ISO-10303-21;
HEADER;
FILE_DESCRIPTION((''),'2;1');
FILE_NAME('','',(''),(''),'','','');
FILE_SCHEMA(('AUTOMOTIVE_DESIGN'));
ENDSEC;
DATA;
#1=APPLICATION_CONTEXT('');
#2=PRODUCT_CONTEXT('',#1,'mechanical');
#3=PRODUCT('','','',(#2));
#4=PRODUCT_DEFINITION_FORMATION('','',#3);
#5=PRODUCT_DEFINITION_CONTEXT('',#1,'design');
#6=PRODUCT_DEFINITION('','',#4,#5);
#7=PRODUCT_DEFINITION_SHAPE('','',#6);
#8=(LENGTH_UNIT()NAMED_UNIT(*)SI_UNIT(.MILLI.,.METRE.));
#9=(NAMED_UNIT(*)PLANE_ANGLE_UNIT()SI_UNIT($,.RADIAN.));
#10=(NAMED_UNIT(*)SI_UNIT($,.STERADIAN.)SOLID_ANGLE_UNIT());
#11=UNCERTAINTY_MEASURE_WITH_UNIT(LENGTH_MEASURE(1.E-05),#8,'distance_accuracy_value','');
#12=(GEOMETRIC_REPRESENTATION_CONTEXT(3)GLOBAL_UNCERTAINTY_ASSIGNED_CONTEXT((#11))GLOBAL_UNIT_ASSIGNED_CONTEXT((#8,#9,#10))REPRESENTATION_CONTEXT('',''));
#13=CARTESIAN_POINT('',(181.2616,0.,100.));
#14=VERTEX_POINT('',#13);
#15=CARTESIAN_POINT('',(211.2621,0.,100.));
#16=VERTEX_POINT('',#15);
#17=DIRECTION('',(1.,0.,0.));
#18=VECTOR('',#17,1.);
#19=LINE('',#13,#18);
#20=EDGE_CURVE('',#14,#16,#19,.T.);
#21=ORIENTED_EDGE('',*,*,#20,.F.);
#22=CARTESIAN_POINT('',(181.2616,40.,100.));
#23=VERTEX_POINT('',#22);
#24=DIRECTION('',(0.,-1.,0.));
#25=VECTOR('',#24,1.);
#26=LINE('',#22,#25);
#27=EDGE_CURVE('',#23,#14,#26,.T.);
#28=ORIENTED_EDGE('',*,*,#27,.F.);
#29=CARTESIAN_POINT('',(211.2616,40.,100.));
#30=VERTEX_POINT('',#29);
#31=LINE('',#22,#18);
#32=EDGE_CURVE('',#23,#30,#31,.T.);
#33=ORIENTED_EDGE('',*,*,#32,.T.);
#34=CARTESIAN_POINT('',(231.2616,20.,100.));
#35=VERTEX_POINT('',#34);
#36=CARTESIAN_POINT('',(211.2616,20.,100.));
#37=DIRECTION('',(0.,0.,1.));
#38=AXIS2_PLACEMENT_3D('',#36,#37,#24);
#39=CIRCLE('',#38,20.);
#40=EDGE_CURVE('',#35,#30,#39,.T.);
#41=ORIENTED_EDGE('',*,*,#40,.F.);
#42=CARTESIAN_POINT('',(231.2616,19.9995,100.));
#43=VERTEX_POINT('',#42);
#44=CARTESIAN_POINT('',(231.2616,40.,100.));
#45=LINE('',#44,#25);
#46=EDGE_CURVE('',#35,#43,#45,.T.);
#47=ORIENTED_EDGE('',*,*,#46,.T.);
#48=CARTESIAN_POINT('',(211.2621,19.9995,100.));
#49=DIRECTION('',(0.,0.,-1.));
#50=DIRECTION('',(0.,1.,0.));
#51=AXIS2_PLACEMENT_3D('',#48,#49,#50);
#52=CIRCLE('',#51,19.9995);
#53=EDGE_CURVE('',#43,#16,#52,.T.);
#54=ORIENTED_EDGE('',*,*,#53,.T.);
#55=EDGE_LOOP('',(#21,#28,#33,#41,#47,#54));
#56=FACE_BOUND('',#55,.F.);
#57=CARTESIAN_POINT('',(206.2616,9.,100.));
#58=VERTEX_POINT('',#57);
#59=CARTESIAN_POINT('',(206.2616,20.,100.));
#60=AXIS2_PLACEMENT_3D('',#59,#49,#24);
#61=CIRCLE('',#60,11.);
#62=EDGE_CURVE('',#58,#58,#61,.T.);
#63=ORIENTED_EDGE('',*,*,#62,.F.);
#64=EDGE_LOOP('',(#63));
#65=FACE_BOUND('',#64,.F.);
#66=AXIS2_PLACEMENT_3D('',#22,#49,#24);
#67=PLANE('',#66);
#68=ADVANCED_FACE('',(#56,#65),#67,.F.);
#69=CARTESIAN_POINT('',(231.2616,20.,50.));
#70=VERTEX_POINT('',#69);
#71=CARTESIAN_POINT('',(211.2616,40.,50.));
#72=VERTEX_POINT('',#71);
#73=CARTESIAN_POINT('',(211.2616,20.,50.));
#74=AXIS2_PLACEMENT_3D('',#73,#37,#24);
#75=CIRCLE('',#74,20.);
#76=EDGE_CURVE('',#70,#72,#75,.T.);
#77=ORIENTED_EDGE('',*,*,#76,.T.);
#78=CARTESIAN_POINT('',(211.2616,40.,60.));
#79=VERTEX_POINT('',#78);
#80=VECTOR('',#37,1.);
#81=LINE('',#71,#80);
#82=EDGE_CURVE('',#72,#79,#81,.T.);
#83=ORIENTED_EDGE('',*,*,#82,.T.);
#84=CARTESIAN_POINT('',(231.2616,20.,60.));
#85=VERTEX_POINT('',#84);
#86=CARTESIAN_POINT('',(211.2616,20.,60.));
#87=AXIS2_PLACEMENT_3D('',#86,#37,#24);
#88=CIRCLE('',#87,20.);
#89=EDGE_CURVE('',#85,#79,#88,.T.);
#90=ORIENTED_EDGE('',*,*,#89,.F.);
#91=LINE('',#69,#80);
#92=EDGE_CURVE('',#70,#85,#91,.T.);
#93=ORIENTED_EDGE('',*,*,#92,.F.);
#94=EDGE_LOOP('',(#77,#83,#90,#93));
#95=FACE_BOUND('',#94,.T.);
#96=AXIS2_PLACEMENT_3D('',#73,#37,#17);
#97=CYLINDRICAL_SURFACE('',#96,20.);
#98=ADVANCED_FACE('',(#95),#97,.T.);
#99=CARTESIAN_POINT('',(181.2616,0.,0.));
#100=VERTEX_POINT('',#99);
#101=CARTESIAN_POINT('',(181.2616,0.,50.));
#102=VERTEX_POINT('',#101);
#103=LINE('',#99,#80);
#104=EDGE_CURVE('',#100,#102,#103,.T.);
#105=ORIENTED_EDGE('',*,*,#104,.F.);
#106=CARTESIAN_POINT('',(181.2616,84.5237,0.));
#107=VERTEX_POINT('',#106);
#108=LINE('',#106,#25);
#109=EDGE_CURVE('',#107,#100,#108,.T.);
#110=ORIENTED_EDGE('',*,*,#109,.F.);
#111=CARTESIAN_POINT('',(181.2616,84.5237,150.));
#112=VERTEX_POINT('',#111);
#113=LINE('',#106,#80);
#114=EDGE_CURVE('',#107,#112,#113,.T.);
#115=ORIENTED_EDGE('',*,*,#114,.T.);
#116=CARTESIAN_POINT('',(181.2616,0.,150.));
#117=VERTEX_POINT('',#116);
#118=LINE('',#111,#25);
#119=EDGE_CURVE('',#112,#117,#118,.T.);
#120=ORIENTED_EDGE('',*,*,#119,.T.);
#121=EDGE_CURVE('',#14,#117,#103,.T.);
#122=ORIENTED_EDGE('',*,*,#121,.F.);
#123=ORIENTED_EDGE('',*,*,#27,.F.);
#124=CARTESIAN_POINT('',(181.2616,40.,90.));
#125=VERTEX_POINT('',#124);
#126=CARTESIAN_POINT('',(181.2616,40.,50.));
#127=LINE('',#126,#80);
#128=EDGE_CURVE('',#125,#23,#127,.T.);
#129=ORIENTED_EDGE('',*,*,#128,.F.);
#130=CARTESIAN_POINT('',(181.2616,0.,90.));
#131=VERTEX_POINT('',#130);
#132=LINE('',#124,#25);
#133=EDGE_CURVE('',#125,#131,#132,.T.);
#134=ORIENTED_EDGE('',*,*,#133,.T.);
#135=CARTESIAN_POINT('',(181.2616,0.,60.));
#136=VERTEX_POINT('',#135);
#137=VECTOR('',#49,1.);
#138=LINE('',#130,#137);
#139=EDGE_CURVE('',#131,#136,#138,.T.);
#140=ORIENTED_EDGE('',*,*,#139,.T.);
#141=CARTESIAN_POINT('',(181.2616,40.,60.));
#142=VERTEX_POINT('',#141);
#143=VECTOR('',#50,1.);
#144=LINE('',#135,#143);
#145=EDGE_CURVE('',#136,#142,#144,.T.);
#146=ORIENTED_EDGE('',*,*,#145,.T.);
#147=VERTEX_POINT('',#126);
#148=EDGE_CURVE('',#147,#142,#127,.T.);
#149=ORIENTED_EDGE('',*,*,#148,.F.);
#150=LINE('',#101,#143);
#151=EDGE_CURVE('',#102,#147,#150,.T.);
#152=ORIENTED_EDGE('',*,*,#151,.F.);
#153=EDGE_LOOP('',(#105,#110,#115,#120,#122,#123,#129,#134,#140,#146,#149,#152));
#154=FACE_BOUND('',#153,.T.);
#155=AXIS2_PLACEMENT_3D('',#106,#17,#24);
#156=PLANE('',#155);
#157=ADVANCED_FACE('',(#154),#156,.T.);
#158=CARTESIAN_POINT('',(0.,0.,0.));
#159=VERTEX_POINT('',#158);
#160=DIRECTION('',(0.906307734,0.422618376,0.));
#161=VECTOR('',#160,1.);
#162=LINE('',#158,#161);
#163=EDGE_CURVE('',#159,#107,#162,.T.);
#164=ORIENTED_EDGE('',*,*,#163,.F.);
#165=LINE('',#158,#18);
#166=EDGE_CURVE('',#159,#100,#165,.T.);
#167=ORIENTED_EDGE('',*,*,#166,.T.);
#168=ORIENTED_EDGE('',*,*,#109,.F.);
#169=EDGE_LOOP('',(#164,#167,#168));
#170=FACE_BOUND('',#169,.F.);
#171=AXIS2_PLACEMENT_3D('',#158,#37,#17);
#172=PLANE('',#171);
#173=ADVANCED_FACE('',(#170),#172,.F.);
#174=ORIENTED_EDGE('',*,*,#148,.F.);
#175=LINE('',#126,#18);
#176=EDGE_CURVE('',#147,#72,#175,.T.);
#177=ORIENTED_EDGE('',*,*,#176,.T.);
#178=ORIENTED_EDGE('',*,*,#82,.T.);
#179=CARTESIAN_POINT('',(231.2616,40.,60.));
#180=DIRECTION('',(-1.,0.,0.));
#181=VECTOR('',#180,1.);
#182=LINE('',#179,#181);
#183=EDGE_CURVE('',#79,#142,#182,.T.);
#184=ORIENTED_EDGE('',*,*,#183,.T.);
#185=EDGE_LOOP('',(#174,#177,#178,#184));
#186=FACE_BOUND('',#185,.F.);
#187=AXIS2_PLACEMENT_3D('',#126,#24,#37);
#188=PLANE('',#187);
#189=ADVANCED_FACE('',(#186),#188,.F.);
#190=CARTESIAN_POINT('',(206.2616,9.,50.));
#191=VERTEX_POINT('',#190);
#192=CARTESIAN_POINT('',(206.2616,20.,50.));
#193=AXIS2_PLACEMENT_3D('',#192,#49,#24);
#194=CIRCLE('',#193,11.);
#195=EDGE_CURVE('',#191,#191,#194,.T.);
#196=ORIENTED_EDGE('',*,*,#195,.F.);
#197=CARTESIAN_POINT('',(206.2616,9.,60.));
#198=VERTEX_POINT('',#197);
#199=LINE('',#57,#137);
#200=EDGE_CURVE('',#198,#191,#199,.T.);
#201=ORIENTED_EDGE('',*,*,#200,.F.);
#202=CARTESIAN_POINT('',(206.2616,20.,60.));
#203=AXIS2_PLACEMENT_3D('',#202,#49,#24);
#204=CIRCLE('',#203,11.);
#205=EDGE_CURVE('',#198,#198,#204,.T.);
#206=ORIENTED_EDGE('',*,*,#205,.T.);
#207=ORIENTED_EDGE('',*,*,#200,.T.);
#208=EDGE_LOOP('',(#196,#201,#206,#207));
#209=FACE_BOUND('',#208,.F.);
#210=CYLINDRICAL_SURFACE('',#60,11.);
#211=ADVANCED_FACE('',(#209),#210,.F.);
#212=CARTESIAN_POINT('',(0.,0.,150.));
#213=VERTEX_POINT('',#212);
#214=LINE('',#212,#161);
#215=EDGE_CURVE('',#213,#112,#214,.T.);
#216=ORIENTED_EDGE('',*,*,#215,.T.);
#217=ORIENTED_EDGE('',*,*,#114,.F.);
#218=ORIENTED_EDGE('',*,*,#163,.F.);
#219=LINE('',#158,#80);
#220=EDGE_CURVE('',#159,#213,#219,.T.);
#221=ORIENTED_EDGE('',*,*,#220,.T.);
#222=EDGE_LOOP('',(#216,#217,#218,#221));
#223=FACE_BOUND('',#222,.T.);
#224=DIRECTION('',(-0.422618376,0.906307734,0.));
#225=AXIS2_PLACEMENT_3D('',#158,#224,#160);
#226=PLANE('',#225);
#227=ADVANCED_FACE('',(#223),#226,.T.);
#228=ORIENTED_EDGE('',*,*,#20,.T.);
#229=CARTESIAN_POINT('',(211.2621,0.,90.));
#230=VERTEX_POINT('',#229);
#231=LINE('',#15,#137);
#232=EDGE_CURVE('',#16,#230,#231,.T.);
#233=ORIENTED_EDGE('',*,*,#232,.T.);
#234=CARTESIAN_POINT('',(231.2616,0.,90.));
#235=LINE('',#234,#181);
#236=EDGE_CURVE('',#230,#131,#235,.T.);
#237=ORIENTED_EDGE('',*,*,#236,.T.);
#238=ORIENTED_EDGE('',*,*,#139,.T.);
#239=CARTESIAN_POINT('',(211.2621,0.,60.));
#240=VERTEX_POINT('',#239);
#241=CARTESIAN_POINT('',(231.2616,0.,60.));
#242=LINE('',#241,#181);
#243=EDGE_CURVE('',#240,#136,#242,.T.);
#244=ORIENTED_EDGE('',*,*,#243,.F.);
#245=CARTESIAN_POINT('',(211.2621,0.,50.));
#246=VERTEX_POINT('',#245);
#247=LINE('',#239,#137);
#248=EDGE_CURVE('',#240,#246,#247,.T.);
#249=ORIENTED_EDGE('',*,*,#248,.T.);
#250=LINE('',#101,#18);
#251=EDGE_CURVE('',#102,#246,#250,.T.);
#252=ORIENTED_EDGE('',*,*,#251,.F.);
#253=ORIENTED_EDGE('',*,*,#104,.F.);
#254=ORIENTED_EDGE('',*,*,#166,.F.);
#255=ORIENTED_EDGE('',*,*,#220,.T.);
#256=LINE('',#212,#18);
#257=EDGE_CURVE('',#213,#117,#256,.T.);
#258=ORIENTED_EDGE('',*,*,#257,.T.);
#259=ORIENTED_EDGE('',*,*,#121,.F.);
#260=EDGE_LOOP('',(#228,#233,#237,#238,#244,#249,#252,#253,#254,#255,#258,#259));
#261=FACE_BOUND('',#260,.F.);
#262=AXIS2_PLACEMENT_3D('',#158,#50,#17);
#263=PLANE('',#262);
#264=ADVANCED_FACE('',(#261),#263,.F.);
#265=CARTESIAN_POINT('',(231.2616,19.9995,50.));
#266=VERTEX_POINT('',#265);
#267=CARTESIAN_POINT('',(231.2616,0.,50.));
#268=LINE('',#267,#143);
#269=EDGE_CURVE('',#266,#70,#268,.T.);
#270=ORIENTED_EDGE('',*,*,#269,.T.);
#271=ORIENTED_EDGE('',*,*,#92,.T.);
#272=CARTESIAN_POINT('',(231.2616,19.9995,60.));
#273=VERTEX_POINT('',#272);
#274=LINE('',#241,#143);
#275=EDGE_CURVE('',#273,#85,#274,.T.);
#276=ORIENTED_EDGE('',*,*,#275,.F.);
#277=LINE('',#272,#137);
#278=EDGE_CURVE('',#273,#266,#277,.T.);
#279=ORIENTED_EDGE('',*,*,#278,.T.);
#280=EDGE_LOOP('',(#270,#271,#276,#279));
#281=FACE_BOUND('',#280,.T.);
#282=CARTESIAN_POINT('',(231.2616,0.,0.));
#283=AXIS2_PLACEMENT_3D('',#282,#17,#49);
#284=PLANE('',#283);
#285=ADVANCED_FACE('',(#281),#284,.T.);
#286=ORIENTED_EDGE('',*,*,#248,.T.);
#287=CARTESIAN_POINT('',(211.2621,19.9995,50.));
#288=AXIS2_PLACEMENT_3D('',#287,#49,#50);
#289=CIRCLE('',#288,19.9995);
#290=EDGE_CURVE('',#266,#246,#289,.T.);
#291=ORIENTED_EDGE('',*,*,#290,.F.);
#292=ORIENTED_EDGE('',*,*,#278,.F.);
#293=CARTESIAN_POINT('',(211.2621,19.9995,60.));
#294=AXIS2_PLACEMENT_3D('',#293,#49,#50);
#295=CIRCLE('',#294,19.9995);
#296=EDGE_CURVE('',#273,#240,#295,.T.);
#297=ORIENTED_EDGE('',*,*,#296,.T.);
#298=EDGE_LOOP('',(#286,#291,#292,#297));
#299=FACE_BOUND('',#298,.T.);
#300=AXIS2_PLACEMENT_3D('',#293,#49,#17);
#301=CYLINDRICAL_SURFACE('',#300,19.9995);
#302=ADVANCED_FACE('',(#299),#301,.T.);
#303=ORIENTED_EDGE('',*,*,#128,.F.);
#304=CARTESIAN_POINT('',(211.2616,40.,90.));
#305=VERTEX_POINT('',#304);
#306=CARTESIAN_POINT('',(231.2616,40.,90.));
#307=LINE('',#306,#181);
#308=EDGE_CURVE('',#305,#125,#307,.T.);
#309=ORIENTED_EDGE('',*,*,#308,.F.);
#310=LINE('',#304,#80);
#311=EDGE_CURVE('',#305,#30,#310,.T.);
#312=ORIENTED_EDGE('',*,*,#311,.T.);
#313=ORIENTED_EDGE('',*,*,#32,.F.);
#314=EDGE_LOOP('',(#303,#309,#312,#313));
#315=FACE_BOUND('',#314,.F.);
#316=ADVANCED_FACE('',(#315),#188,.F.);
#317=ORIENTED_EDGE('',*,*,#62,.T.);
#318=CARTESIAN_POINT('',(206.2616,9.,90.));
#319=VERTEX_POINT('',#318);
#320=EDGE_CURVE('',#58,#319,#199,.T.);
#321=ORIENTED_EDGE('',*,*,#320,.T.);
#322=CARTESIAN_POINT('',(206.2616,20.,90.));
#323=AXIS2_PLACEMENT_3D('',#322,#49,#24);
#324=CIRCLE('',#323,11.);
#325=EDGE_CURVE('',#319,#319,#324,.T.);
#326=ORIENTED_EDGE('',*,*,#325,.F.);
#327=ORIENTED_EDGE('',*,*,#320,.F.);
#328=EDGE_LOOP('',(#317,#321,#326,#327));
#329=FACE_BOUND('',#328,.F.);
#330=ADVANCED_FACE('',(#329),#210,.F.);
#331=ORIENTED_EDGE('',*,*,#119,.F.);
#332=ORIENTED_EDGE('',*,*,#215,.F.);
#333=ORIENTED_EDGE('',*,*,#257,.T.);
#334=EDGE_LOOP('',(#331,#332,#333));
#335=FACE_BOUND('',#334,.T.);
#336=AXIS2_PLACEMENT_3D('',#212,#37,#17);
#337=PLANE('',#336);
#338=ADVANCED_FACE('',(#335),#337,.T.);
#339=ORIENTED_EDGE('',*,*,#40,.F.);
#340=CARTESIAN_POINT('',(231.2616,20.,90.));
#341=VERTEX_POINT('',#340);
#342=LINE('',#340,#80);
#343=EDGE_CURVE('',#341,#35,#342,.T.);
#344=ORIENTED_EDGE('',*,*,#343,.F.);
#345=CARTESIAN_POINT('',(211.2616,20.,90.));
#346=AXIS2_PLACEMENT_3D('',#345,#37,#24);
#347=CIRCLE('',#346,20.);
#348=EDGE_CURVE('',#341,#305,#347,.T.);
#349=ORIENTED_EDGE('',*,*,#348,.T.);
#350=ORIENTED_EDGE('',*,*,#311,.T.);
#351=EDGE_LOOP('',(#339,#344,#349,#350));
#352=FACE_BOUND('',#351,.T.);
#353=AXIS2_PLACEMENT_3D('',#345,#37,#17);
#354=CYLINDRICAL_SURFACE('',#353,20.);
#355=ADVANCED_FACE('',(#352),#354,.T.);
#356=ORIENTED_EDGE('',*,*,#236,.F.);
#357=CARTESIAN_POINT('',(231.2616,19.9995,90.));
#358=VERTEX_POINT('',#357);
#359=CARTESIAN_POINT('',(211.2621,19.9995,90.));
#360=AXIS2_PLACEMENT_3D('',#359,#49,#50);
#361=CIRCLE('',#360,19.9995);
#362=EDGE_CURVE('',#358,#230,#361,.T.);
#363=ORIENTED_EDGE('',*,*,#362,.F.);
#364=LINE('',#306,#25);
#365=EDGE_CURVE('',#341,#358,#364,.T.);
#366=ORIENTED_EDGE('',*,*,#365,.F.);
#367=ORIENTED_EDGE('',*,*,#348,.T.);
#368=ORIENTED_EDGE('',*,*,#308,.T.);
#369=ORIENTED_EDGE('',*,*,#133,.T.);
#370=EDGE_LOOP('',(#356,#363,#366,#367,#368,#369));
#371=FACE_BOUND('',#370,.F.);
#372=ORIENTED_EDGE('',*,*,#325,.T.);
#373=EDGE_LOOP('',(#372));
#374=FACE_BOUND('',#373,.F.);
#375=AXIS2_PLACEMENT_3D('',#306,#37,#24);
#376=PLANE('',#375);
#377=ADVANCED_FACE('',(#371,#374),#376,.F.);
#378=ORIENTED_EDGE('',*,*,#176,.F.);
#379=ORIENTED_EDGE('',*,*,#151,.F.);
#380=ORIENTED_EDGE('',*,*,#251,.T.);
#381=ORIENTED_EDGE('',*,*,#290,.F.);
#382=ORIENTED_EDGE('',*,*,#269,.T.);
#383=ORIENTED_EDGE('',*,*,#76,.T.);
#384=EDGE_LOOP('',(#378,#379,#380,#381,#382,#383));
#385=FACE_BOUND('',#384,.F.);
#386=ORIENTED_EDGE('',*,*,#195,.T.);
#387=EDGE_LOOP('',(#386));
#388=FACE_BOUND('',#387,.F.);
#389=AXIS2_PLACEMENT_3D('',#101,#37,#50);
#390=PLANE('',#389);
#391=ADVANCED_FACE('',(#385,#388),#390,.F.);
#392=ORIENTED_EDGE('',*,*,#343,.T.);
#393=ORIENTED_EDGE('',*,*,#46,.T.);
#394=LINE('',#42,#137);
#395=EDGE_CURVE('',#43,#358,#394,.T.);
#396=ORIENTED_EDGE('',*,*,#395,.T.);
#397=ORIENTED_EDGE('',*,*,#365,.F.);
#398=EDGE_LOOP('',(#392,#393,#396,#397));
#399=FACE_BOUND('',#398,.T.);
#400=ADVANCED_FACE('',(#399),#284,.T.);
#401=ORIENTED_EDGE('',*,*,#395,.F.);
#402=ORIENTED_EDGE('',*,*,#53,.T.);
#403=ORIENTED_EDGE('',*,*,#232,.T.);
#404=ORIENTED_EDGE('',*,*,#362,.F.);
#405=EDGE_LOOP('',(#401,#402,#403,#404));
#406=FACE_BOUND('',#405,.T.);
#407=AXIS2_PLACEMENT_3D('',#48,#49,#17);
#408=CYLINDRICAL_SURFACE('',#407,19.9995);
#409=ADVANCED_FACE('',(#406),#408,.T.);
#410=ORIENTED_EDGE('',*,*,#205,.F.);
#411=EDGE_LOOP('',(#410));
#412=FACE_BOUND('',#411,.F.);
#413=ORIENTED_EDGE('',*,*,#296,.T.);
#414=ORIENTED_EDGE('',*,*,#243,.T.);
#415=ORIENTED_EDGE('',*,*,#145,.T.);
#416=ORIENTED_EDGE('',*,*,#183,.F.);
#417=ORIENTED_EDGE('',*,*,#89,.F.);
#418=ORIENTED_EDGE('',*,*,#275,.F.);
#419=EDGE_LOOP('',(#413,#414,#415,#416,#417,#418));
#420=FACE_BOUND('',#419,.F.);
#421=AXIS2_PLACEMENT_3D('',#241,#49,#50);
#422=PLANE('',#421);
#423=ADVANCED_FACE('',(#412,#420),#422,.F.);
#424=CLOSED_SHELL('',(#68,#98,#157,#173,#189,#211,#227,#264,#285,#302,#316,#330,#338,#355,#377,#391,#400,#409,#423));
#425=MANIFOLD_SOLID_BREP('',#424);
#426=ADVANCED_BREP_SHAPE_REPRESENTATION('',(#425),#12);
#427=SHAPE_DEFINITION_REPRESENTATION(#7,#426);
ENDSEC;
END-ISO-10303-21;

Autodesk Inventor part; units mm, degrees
ref_plane "YZ Plane" through (0, 0, 0) normal (1, 0, 0) x (0, 1, 0)
ref_plane "XZ Plane" through (0, 0, 0) normal (0, 1, 0) x (-1, 0, 0)
ref_plane "XY Plane" through (0, 0, 0) normal (0, 0, 1) x (1, 0, 0)
sketch "Sketch1" plane through (0, 0, 0) normal (0, 0, 1) x (1, 0, 0)
  line L0 (0, 0) -> (181.2616, 84.5237)
  line L1 (0, 0) -> (200, 0) construction
  line L2 (0, 0) -> (181.2616, 0)
  line L3 (181.2616, 84.5237) -> (181.2616, 0)
  dimension "d2" = 200
  dimension "d3" = 25
extrude "Extrusion1" add sketch "Sketch1" along normal blind 150
sketch "Sketch2" plane through (0, 0, 150) normal (0, 0, 1) x (1, 0, 0)
  point P0 (0, 0)
sketch "Sketch3" plane through (181.2616, 0, 0) normal (1, 0, 0) x (0, 0, -1)
  line L0 (-100, 0) -> (-50, 0)
  line L1 (-50, 0) -> (-50, 40)
  line L2 (-50, 40) -> (-100, 40)
  line L3 (-100, 40) -> (-100, 0)
  dimension "d10" = 50
  dimension "d11" = 40
extrude "Extrusion2" add sketch "Sketch3" along normal blind 50
sketch "Sketch5" plane through (231.2616, 0, 0) normal (1, 0, 0) x (0, 0, -1)
  point P0 (0, 0)
sketch "Sketch6" plane through (231.2616, 0, 0) normal (1, 0, 0) x (0, 0, -1)
  line L0 (0, 0) -> (60, 0) construction
  line L1 (-60, 40) -> (-90, 40)
  line L2 (-90, 40) -> (-90, 0)
  line L3 (-90, 0) -> (-60, 0)
  line L4 (-60, 0) -> (-60, 40)
  dimension "d27" = 30
  dimension "d28" = 40
extrude "Extrusion3" cut sketch "Sketch6" against normal blind 50
sketch "Sketch8" plane through (181.2616, 0, 100) normal (0, 0, 1) x (1, 0, 0)
  line L0 (50, 0) -> (50, 40) projected
  line L1 (0, 40) -> (0, 0) projected
  line L2 (0, 40) -> (50, 40) projected
  line L3 (0, 0) -> (50, 0) projected
  point P0 (-181.2616, 0)
  point P1 (25, 20)
hole "Hole2" at (206.2616, 20, 100) direction (0, 0, -1) diameter 22 end through all
fillet "Fillet1" radius 20 1 edges at (231.2616, 40, 95)
fillet "Fillet2" radius 20 1 edges at (231.2616, 0, 95)
fillet "Fillet3" radius 20 1 edges at (231.2616, 40, 55)
fillet "Fillet4" radius 20 1 edges at (231.2616, 0, 55)
properties part number "RoboArm 2020 scoop"
